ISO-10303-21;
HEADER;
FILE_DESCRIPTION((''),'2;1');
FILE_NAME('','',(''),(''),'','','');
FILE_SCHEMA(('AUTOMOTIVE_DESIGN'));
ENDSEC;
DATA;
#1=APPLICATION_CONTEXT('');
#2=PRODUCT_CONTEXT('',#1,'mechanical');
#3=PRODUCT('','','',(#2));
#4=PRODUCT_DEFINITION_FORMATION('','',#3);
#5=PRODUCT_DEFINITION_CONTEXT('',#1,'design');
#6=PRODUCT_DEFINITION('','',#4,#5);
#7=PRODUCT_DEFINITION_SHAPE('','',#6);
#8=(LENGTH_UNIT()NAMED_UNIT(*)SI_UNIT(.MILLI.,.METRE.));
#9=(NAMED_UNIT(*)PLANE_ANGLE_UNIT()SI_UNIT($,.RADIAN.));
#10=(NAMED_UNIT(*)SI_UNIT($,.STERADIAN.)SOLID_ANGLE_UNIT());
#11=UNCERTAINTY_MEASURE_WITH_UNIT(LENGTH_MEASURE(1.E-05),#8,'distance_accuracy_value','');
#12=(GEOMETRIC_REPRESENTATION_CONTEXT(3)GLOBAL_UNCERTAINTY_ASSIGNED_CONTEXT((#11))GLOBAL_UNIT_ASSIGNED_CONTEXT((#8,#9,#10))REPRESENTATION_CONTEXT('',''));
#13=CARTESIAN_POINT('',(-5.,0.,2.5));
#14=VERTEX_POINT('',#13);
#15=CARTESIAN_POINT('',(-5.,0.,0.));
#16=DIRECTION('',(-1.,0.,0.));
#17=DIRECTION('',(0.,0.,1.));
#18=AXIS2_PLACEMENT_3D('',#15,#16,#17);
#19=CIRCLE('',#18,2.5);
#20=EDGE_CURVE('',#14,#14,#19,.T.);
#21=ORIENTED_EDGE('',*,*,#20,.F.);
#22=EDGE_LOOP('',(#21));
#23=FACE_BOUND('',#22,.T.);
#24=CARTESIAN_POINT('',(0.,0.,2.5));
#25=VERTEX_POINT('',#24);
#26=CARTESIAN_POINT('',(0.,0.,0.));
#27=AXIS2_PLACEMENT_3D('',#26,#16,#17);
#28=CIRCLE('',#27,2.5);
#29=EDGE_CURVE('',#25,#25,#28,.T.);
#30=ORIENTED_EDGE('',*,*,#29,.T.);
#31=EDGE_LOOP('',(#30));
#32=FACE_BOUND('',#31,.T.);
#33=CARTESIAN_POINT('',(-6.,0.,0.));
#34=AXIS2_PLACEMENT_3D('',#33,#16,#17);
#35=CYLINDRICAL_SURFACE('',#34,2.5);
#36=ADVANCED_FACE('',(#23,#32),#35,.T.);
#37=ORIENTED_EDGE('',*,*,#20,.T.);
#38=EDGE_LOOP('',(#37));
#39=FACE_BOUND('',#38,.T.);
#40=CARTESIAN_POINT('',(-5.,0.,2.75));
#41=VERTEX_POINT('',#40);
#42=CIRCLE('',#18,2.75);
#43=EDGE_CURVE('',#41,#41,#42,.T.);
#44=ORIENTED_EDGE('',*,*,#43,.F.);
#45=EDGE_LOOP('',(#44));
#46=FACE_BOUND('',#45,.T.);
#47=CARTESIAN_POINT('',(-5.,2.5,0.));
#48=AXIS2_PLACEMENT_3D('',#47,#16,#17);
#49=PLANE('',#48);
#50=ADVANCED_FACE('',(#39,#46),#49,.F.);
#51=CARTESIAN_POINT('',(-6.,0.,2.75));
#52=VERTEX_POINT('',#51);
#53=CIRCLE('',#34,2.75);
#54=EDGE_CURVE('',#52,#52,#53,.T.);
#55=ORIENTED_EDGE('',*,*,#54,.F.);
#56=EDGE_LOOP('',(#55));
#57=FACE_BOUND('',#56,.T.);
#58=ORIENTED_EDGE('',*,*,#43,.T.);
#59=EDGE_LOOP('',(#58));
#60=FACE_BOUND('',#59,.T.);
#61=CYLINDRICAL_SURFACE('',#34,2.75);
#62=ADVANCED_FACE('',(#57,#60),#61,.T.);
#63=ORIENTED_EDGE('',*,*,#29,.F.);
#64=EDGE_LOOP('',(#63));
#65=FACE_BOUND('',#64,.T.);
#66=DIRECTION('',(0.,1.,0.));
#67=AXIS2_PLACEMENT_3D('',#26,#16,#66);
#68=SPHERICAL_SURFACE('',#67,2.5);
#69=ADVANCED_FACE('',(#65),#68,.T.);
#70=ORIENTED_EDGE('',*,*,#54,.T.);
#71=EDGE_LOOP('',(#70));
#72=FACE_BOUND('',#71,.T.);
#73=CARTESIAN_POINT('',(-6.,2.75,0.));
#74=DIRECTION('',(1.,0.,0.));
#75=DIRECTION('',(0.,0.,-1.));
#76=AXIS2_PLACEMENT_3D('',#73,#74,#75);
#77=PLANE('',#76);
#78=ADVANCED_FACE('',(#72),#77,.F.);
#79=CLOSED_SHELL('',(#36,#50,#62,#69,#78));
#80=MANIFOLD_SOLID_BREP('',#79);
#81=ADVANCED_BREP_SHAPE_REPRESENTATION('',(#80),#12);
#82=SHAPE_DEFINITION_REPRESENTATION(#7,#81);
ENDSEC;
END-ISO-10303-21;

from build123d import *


with BuildPart() as part:
    # Sketch1 → Revolve1 (revolve)
    with BuildSketch(Plane.XY):
        with BuildLine():
            Line((0, 2.5), (-5, 2.5))
            Line((-5, 2.5), (-5, 2.75))
            Line((-5, 2.75), (-6, 2.75))
            Line((-6, 2.75), (-6, 0))
            Line((-6, 0), (2.5, 0))
            ThreePointArc((2.5, 0), (1.767766953, 1.767766953), (0, 2.5))
        make_face()
    revolve(axis=Axis((-6, 0, 0), (1, 0, 0)))


solid = part.part
